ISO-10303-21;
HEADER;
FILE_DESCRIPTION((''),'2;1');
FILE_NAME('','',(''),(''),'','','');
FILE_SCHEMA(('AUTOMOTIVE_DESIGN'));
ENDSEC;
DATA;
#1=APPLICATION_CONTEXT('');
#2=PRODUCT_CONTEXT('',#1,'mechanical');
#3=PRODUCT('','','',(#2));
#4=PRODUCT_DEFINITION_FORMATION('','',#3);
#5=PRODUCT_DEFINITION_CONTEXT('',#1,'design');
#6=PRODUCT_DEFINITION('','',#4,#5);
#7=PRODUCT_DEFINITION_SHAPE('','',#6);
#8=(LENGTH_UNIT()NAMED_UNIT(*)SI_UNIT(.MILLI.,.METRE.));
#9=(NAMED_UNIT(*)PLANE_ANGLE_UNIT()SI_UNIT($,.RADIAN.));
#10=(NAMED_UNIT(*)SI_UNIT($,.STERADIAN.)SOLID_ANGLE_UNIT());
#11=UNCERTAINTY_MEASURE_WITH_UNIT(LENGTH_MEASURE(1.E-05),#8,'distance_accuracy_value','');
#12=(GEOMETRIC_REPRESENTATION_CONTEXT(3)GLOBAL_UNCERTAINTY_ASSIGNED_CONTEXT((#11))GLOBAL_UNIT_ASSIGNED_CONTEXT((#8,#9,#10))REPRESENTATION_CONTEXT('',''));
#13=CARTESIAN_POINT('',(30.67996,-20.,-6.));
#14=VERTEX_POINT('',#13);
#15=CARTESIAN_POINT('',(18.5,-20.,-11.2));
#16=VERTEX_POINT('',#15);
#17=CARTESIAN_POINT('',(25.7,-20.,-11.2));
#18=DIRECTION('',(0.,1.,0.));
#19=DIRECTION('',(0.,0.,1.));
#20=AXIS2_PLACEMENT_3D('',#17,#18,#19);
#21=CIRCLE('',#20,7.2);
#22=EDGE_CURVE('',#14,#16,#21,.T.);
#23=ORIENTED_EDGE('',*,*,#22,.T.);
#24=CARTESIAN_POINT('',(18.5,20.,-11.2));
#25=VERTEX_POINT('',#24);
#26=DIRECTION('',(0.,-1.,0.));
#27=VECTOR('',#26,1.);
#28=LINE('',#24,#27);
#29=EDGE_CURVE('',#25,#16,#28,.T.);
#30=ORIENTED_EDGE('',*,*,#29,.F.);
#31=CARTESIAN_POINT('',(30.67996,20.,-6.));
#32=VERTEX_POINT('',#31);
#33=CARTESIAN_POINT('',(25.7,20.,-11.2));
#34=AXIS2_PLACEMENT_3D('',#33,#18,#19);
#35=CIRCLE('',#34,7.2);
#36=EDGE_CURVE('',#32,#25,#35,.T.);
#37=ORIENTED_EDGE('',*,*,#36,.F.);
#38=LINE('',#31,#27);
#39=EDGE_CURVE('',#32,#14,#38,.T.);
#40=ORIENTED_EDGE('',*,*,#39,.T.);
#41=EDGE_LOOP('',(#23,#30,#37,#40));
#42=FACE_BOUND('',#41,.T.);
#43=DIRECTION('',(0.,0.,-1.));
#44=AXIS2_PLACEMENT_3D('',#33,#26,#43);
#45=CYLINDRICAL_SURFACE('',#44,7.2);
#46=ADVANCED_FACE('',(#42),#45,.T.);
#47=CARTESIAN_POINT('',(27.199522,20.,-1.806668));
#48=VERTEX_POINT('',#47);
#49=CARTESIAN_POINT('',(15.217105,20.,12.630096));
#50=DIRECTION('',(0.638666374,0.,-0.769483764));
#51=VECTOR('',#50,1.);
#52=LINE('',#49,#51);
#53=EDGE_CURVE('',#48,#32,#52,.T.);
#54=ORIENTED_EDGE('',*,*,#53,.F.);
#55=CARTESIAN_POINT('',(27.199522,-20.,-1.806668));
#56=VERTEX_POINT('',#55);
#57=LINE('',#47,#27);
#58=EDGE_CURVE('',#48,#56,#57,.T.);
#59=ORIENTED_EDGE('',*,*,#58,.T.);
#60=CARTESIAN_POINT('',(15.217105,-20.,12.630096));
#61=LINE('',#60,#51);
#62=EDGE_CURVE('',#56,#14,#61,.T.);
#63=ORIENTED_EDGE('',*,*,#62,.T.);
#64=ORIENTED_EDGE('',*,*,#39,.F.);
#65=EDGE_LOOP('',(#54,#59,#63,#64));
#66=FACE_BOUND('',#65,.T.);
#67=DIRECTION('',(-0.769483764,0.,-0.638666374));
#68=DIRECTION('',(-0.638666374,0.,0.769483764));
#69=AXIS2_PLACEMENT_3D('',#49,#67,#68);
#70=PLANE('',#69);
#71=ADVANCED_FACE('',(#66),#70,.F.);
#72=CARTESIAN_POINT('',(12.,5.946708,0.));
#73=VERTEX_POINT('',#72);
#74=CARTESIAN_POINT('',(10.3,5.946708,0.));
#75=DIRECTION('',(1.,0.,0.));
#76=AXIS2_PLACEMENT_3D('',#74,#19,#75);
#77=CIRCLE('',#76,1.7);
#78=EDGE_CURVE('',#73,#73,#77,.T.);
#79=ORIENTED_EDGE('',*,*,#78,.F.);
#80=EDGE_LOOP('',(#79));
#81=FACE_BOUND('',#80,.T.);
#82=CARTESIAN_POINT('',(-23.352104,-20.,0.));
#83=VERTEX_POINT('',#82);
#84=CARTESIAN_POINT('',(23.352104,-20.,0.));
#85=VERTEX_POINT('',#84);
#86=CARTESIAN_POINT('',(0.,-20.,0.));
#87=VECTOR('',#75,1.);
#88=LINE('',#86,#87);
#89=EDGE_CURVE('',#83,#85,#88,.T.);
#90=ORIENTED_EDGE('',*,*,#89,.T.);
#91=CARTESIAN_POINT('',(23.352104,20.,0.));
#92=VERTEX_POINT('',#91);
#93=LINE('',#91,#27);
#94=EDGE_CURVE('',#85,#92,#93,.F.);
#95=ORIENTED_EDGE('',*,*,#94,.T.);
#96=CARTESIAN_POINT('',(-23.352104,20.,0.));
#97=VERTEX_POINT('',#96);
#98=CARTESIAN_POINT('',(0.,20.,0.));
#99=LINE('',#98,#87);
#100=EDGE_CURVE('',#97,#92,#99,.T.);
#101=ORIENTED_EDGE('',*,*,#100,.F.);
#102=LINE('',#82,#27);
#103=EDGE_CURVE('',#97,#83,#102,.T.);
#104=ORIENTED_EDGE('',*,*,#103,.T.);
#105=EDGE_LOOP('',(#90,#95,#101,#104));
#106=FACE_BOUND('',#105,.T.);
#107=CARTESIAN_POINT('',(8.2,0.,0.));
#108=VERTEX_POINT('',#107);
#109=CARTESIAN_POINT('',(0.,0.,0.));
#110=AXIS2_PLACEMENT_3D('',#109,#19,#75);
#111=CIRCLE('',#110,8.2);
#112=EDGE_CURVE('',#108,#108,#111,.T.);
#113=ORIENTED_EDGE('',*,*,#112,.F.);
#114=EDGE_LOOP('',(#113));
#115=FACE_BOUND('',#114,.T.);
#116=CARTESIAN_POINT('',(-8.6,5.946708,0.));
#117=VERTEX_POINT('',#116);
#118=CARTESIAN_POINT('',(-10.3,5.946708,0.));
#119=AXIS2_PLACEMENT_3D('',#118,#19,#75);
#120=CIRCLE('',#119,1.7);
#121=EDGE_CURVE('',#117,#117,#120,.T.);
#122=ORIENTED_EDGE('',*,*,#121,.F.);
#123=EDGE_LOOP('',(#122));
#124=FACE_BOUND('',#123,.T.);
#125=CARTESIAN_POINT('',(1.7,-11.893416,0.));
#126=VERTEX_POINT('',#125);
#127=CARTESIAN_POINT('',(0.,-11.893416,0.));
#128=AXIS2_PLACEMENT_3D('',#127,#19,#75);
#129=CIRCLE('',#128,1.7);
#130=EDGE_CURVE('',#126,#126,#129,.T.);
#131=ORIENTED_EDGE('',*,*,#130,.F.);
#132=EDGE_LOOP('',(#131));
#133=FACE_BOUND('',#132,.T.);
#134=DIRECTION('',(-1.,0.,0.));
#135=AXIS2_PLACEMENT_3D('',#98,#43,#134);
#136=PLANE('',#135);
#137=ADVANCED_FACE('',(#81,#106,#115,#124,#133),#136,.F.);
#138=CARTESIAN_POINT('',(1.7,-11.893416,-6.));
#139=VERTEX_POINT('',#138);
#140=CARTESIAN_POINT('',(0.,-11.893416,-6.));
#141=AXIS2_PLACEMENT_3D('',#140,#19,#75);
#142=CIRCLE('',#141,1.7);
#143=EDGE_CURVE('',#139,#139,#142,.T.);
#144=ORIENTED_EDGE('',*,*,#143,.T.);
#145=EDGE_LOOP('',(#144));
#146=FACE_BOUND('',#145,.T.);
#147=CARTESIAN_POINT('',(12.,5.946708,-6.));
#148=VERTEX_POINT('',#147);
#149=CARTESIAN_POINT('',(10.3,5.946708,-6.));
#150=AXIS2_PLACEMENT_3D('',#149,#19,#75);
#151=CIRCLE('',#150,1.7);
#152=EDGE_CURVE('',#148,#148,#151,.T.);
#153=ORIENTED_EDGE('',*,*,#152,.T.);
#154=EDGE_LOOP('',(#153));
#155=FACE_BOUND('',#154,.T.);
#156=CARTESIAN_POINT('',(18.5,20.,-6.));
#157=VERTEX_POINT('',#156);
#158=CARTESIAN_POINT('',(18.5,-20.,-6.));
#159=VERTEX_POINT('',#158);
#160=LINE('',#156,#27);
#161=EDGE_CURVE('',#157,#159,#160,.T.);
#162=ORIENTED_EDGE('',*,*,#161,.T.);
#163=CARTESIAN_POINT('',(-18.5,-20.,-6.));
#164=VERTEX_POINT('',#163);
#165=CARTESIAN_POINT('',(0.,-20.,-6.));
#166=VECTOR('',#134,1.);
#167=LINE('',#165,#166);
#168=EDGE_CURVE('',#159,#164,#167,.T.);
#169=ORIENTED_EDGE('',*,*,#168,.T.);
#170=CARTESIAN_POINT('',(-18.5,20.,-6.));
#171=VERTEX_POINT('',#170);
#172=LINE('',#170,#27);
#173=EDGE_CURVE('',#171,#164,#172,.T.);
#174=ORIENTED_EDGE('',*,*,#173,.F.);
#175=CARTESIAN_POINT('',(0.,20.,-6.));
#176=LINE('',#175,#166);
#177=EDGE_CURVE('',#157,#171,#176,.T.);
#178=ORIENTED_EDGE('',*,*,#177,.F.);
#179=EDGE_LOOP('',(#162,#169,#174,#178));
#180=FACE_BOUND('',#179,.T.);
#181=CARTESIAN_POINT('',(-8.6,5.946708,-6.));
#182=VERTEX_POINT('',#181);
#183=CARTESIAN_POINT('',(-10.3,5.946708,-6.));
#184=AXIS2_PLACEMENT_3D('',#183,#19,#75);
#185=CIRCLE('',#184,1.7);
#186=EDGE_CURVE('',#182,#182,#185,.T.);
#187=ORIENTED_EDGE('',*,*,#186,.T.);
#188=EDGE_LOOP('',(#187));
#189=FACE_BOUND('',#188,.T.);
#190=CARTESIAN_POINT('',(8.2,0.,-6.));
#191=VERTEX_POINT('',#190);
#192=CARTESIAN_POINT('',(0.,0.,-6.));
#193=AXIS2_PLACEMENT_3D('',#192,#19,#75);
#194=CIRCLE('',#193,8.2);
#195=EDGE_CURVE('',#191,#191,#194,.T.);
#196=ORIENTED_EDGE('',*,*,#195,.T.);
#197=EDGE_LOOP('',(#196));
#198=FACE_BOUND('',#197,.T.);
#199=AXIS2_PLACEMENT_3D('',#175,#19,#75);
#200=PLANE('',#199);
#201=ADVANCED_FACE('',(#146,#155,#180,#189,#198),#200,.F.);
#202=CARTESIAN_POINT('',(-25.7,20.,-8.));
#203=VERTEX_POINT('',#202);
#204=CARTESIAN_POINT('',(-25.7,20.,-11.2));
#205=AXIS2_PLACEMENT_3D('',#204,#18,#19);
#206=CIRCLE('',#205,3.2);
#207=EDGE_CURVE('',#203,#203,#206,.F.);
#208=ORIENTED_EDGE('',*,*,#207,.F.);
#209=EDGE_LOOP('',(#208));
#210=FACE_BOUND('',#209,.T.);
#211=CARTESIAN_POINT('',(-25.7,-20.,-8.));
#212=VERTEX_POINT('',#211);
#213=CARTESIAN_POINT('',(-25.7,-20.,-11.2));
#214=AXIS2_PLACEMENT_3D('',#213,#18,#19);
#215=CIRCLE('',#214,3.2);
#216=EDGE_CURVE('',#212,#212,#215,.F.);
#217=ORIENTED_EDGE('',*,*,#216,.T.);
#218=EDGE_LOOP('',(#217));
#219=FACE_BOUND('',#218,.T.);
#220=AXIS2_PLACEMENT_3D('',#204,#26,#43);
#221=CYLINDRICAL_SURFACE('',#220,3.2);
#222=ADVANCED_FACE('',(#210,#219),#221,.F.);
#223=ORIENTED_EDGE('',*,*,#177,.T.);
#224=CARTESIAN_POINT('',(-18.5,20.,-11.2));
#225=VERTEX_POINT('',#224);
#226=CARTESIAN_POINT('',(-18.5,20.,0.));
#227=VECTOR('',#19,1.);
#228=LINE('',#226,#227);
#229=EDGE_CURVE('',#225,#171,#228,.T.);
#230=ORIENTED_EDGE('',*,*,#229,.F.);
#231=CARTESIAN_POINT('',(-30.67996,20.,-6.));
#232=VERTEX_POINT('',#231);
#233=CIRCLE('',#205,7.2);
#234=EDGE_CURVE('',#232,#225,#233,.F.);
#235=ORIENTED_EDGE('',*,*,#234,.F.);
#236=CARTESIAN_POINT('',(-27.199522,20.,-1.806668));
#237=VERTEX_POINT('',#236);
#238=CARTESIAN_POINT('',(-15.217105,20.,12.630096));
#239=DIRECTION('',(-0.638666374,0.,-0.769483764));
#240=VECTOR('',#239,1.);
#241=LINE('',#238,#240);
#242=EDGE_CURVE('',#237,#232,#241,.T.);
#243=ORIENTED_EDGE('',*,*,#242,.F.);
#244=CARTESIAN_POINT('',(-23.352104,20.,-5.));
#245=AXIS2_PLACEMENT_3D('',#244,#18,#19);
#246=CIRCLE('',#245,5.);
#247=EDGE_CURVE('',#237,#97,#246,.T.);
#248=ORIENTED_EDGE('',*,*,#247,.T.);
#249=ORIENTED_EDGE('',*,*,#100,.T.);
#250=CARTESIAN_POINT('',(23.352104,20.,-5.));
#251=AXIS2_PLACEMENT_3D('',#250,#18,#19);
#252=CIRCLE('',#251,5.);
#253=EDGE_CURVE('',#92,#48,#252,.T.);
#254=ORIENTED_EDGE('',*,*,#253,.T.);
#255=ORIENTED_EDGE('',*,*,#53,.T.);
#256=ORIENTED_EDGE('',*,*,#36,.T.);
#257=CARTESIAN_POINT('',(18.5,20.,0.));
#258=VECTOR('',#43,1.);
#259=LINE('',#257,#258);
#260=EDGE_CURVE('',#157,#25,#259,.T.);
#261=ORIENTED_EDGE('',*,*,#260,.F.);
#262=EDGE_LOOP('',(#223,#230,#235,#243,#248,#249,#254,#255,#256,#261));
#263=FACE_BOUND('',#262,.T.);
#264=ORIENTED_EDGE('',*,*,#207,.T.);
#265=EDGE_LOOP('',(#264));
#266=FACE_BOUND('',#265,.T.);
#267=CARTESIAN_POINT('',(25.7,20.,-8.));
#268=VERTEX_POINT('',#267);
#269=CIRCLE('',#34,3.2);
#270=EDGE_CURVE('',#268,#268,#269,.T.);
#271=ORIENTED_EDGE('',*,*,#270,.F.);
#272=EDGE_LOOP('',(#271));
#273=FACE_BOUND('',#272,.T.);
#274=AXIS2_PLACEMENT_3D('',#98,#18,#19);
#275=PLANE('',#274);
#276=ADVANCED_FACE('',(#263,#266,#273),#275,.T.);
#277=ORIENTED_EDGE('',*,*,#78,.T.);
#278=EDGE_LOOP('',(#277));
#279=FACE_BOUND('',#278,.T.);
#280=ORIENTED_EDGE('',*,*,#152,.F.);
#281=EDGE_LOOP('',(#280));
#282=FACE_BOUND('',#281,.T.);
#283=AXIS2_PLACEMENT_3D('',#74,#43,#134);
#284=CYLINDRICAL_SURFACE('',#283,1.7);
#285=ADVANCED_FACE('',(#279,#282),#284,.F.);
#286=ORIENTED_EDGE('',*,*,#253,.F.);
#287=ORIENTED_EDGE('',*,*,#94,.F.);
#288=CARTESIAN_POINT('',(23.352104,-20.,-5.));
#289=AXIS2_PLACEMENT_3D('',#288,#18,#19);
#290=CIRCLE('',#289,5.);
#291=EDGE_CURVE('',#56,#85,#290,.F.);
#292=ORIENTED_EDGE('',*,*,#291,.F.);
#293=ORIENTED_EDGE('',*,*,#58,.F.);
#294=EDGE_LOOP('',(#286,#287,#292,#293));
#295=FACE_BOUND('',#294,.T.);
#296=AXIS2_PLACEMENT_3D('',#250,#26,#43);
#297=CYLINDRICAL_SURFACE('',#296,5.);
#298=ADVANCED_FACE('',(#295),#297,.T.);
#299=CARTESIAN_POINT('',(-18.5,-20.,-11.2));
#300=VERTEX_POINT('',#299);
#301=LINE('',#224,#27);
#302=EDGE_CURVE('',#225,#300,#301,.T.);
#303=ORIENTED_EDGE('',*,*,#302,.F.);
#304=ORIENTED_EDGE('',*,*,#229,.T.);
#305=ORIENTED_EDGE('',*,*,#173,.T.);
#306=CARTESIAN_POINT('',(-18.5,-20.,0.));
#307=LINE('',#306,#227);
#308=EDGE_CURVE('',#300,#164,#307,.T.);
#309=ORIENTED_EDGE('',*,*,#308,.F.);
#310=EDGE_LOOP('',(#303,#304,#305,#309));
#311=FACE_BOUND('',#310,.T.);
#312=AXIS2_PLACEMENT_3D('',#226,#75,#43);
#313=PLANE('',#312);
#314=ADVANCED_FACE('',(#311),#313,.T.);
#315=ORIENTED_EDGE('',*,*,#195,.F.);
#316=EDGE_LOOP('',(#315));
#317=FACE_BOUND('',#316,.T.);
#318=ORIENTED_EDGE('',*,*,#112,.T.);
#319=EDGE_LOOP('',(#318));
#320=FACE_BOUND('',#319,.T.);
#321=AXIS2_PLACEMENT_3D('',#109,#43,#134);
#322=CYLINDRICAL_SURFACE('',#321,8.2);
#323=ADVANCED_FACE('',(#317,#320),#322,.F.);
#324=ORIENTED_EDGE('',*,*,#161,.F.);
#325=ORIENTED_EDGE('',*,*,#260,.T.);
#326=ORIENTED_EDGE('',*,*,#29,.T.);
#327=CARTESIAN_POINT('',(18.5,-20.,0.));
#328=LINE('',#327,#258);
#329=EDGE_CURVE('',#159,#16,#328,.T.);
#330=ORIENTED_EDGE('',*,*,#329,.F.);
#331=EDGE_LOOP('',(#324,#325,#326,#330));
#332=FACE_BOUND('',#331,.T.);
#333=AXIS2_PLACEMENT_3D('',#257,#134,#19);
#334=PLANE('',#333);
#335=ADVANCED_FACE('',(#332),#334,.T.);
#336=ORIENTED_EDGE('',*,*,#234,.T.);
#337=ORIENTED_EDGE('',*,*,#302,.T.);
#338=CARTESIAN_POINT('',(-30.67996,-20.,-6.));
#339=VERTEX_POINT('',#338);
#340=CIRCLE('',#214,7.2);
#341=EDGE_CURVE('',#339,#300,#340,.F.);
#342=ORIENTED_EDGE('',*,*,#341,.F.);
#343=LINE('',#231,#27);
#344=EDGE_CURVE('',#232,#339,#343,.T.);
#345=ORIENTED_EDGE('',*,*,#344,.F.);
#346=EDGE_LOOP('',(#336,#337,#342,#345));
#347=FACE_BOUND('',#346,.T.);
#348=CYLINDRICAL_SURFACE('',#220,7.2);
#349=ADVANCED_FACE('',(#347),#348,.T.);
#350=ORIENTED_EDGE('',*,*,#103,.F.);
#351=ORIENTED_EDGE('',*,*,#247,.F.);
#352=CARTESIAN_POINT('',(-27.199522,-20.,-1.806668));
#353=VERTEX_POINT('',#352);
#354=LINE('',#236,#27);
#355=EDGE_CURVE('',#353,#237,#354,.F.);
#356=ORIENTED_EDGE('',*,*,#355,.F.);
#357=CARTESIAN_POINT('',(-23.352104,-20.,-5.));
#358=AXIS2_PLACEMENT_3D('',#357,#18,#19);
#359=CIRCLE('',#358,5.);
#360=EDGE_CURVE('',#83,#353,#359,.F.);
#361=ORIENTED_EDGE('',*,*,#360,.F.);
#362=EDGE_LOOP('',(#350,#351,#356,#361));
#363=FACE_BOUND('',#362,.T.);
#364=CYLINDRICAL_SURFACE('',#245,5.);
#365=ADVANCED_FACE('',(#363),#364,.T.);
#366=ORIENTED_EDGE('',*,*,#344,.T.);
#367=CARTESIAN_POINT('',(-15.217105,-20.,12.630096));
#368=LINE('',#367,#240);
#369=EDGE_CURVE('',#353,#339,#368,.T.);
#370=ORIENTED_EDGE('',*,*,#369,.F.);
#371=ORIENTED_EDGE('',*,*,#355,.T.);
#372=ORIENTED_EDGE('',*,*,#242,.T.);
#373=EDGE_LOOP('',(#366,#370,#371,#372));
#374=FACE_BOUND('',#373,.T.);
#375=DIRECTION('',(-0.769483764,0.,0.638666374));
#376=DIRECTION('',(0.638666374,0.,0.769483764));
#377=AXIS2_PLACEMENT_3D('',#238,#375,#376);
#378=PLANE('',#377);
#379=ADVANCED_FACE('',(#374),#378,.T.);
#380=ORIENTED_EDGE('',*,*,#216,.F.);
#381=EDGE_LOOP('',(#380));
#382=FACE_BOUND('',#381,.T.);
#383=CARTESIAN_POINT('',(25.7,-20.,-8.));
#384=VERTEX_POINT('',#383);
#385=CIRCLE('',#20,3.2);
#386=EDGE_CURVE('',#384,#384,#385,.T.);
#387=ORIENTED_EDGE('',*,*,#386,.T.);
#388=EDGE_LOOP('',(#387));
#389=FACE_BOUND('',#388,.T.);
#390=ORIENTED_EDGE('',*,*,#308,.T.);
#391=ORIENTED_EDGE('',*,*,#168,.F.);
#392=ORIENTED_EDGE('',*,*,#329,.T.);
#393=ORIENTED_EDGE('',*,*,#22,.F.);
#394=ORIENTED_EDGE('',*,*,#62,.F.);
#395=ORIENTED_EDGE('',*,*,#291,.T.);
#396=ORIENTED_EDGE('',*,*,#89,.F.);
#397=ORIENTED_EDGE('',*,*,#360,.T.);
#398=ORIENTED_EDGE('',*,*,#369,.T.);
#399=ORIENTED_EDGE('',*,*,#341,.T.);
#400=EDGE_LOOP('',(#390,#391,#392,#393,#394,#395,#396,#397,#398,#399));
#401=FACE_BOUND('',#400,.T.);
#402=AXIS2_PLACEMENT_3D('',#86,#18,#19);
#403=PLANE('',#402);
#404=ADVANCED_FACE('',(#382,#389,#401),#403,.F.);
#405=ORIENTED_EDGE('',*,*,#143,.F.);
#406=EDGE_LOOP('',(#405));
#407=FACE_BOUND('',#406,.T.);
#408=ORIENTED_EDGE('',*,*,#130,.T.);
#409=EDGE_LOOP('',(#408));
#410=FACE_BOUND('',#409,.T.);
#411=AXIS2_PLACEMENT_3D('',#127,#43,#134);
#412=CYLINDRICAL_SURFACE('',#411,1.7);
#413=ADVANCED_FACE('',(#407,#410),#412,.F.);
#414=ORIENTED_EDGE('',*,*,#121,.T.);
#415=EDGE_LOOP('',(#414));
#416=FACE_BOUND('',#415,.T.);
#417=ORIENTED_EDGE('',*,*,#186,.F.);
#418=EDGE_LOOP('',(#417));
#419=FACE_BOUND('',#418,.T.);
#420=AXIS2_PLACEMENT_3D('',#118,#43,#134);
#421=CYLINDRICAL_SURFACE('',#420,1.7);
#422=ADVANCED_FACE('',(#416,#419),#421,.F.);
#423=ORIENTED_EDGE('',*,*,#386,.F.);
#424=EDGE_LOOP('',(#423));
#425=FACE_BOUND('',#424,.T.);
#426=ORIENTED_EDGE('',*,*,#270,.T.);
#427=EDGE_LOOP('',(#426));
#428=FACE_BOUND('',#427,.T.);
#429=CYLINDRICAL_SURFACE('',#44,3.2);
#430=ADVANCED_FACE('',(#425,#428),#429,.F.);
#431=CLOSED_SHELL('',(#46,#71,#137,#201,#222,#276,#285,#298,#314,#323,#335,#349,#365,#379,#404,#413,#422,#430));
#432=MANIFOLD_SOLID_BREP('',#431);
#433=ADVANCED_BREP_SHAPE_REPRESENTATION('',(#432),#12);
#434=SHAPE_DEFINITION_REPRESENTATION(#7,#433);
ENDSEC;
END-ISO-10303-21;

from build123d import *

# Parameters (mm, degrees)
SKETCH1_W           = 37
SKETCH1_H           = 6
SKETCH1_R           = 3.2
BOSS_EXTRUDE1_DEPTH = 20
CUT_EXTRUDE2_START  = -6
SKETCH2_R           = 8.2
SKETCH2_R_2         = 1.7
CUT_EXTRUDE2_DEPTH  = 7
FILLET1_R           = 5


with BuildPart() as part:
    # Sketch1 → Boss-Extrude1 (new body, symmetric)
    with BuildSketch(Plane(origin=(0, 0, 0), x_dir=(1, 0, 0), z_dir=(0, 1, 0))):
        with Locations((0, 3)):
            Rectangle(SKETCH1_W, SKETCH1_H)
        with BuildLine():
            Line((18.5, 6), (18.5, 0))
            Line((18.5, 0), (25.7, 0))
            Line((25.7, 0), (30.679959839, 6))
            ThreePointArc((30.679959839, 6), (28.527038128, 17.821771321), (18.5, 11.2))
            Line((18.5, 11.2), (18.5, 6))
        make_face()
        with Locations((25.7, 11.2)):
            Circle(SKETCH1_R, mode=Mode.SUBTRACT)
        with BuildLine():
            Line((-25.7, 0), (-18.5, 0))
            Line((-18.5, 0), (-18.5, 6))
            Line((-18.5, 6), (-18.5, 11.2))
            ThreePointArc((-18.5, 11.2), (-28.527038128, 17.821771321), (-30.679959839, 6))
            Line((-30.679959839, 6), (-25.7, 0))
        make_face()
        with Locations((-25.7, 11.2)):
            Circle(SKETCH1_R, mode=Mode.SUBTRACT)
    extrude(amount=BOSS_EXTRUDE1_DEPTH, both=True)

    # Sketch2 → Cut-Extrude2 (cut, through all)
    with BuildSketch(Plane.XY.offset(CUT_EXTRUDE2_START)):
        Circle(SKETCH2_R)
        with Locations((0, -11.893415545)):
            Circle(SKETCH2_R_2)
        with Locations((-10.3, 5.946707773)):
            Circle(SKETCH2_R_2)
        with Locations((10.3, 5.946707773)):
            Circle(SKETCH2_R_2)
    extrude(amount=CUT_EXTRUDE2_DEPTH, mode=Mode.SUBTRACT)

    # Fillet1
    fillet1_edges = [part.edges().sort_by_distance(p)[0] for p in [
        (25.7, 0, 0),
        (-25.7, 0, 0),
    ]]
    fillet(fillet1_edges, radius=FILLET1_R)


solid = part.part
